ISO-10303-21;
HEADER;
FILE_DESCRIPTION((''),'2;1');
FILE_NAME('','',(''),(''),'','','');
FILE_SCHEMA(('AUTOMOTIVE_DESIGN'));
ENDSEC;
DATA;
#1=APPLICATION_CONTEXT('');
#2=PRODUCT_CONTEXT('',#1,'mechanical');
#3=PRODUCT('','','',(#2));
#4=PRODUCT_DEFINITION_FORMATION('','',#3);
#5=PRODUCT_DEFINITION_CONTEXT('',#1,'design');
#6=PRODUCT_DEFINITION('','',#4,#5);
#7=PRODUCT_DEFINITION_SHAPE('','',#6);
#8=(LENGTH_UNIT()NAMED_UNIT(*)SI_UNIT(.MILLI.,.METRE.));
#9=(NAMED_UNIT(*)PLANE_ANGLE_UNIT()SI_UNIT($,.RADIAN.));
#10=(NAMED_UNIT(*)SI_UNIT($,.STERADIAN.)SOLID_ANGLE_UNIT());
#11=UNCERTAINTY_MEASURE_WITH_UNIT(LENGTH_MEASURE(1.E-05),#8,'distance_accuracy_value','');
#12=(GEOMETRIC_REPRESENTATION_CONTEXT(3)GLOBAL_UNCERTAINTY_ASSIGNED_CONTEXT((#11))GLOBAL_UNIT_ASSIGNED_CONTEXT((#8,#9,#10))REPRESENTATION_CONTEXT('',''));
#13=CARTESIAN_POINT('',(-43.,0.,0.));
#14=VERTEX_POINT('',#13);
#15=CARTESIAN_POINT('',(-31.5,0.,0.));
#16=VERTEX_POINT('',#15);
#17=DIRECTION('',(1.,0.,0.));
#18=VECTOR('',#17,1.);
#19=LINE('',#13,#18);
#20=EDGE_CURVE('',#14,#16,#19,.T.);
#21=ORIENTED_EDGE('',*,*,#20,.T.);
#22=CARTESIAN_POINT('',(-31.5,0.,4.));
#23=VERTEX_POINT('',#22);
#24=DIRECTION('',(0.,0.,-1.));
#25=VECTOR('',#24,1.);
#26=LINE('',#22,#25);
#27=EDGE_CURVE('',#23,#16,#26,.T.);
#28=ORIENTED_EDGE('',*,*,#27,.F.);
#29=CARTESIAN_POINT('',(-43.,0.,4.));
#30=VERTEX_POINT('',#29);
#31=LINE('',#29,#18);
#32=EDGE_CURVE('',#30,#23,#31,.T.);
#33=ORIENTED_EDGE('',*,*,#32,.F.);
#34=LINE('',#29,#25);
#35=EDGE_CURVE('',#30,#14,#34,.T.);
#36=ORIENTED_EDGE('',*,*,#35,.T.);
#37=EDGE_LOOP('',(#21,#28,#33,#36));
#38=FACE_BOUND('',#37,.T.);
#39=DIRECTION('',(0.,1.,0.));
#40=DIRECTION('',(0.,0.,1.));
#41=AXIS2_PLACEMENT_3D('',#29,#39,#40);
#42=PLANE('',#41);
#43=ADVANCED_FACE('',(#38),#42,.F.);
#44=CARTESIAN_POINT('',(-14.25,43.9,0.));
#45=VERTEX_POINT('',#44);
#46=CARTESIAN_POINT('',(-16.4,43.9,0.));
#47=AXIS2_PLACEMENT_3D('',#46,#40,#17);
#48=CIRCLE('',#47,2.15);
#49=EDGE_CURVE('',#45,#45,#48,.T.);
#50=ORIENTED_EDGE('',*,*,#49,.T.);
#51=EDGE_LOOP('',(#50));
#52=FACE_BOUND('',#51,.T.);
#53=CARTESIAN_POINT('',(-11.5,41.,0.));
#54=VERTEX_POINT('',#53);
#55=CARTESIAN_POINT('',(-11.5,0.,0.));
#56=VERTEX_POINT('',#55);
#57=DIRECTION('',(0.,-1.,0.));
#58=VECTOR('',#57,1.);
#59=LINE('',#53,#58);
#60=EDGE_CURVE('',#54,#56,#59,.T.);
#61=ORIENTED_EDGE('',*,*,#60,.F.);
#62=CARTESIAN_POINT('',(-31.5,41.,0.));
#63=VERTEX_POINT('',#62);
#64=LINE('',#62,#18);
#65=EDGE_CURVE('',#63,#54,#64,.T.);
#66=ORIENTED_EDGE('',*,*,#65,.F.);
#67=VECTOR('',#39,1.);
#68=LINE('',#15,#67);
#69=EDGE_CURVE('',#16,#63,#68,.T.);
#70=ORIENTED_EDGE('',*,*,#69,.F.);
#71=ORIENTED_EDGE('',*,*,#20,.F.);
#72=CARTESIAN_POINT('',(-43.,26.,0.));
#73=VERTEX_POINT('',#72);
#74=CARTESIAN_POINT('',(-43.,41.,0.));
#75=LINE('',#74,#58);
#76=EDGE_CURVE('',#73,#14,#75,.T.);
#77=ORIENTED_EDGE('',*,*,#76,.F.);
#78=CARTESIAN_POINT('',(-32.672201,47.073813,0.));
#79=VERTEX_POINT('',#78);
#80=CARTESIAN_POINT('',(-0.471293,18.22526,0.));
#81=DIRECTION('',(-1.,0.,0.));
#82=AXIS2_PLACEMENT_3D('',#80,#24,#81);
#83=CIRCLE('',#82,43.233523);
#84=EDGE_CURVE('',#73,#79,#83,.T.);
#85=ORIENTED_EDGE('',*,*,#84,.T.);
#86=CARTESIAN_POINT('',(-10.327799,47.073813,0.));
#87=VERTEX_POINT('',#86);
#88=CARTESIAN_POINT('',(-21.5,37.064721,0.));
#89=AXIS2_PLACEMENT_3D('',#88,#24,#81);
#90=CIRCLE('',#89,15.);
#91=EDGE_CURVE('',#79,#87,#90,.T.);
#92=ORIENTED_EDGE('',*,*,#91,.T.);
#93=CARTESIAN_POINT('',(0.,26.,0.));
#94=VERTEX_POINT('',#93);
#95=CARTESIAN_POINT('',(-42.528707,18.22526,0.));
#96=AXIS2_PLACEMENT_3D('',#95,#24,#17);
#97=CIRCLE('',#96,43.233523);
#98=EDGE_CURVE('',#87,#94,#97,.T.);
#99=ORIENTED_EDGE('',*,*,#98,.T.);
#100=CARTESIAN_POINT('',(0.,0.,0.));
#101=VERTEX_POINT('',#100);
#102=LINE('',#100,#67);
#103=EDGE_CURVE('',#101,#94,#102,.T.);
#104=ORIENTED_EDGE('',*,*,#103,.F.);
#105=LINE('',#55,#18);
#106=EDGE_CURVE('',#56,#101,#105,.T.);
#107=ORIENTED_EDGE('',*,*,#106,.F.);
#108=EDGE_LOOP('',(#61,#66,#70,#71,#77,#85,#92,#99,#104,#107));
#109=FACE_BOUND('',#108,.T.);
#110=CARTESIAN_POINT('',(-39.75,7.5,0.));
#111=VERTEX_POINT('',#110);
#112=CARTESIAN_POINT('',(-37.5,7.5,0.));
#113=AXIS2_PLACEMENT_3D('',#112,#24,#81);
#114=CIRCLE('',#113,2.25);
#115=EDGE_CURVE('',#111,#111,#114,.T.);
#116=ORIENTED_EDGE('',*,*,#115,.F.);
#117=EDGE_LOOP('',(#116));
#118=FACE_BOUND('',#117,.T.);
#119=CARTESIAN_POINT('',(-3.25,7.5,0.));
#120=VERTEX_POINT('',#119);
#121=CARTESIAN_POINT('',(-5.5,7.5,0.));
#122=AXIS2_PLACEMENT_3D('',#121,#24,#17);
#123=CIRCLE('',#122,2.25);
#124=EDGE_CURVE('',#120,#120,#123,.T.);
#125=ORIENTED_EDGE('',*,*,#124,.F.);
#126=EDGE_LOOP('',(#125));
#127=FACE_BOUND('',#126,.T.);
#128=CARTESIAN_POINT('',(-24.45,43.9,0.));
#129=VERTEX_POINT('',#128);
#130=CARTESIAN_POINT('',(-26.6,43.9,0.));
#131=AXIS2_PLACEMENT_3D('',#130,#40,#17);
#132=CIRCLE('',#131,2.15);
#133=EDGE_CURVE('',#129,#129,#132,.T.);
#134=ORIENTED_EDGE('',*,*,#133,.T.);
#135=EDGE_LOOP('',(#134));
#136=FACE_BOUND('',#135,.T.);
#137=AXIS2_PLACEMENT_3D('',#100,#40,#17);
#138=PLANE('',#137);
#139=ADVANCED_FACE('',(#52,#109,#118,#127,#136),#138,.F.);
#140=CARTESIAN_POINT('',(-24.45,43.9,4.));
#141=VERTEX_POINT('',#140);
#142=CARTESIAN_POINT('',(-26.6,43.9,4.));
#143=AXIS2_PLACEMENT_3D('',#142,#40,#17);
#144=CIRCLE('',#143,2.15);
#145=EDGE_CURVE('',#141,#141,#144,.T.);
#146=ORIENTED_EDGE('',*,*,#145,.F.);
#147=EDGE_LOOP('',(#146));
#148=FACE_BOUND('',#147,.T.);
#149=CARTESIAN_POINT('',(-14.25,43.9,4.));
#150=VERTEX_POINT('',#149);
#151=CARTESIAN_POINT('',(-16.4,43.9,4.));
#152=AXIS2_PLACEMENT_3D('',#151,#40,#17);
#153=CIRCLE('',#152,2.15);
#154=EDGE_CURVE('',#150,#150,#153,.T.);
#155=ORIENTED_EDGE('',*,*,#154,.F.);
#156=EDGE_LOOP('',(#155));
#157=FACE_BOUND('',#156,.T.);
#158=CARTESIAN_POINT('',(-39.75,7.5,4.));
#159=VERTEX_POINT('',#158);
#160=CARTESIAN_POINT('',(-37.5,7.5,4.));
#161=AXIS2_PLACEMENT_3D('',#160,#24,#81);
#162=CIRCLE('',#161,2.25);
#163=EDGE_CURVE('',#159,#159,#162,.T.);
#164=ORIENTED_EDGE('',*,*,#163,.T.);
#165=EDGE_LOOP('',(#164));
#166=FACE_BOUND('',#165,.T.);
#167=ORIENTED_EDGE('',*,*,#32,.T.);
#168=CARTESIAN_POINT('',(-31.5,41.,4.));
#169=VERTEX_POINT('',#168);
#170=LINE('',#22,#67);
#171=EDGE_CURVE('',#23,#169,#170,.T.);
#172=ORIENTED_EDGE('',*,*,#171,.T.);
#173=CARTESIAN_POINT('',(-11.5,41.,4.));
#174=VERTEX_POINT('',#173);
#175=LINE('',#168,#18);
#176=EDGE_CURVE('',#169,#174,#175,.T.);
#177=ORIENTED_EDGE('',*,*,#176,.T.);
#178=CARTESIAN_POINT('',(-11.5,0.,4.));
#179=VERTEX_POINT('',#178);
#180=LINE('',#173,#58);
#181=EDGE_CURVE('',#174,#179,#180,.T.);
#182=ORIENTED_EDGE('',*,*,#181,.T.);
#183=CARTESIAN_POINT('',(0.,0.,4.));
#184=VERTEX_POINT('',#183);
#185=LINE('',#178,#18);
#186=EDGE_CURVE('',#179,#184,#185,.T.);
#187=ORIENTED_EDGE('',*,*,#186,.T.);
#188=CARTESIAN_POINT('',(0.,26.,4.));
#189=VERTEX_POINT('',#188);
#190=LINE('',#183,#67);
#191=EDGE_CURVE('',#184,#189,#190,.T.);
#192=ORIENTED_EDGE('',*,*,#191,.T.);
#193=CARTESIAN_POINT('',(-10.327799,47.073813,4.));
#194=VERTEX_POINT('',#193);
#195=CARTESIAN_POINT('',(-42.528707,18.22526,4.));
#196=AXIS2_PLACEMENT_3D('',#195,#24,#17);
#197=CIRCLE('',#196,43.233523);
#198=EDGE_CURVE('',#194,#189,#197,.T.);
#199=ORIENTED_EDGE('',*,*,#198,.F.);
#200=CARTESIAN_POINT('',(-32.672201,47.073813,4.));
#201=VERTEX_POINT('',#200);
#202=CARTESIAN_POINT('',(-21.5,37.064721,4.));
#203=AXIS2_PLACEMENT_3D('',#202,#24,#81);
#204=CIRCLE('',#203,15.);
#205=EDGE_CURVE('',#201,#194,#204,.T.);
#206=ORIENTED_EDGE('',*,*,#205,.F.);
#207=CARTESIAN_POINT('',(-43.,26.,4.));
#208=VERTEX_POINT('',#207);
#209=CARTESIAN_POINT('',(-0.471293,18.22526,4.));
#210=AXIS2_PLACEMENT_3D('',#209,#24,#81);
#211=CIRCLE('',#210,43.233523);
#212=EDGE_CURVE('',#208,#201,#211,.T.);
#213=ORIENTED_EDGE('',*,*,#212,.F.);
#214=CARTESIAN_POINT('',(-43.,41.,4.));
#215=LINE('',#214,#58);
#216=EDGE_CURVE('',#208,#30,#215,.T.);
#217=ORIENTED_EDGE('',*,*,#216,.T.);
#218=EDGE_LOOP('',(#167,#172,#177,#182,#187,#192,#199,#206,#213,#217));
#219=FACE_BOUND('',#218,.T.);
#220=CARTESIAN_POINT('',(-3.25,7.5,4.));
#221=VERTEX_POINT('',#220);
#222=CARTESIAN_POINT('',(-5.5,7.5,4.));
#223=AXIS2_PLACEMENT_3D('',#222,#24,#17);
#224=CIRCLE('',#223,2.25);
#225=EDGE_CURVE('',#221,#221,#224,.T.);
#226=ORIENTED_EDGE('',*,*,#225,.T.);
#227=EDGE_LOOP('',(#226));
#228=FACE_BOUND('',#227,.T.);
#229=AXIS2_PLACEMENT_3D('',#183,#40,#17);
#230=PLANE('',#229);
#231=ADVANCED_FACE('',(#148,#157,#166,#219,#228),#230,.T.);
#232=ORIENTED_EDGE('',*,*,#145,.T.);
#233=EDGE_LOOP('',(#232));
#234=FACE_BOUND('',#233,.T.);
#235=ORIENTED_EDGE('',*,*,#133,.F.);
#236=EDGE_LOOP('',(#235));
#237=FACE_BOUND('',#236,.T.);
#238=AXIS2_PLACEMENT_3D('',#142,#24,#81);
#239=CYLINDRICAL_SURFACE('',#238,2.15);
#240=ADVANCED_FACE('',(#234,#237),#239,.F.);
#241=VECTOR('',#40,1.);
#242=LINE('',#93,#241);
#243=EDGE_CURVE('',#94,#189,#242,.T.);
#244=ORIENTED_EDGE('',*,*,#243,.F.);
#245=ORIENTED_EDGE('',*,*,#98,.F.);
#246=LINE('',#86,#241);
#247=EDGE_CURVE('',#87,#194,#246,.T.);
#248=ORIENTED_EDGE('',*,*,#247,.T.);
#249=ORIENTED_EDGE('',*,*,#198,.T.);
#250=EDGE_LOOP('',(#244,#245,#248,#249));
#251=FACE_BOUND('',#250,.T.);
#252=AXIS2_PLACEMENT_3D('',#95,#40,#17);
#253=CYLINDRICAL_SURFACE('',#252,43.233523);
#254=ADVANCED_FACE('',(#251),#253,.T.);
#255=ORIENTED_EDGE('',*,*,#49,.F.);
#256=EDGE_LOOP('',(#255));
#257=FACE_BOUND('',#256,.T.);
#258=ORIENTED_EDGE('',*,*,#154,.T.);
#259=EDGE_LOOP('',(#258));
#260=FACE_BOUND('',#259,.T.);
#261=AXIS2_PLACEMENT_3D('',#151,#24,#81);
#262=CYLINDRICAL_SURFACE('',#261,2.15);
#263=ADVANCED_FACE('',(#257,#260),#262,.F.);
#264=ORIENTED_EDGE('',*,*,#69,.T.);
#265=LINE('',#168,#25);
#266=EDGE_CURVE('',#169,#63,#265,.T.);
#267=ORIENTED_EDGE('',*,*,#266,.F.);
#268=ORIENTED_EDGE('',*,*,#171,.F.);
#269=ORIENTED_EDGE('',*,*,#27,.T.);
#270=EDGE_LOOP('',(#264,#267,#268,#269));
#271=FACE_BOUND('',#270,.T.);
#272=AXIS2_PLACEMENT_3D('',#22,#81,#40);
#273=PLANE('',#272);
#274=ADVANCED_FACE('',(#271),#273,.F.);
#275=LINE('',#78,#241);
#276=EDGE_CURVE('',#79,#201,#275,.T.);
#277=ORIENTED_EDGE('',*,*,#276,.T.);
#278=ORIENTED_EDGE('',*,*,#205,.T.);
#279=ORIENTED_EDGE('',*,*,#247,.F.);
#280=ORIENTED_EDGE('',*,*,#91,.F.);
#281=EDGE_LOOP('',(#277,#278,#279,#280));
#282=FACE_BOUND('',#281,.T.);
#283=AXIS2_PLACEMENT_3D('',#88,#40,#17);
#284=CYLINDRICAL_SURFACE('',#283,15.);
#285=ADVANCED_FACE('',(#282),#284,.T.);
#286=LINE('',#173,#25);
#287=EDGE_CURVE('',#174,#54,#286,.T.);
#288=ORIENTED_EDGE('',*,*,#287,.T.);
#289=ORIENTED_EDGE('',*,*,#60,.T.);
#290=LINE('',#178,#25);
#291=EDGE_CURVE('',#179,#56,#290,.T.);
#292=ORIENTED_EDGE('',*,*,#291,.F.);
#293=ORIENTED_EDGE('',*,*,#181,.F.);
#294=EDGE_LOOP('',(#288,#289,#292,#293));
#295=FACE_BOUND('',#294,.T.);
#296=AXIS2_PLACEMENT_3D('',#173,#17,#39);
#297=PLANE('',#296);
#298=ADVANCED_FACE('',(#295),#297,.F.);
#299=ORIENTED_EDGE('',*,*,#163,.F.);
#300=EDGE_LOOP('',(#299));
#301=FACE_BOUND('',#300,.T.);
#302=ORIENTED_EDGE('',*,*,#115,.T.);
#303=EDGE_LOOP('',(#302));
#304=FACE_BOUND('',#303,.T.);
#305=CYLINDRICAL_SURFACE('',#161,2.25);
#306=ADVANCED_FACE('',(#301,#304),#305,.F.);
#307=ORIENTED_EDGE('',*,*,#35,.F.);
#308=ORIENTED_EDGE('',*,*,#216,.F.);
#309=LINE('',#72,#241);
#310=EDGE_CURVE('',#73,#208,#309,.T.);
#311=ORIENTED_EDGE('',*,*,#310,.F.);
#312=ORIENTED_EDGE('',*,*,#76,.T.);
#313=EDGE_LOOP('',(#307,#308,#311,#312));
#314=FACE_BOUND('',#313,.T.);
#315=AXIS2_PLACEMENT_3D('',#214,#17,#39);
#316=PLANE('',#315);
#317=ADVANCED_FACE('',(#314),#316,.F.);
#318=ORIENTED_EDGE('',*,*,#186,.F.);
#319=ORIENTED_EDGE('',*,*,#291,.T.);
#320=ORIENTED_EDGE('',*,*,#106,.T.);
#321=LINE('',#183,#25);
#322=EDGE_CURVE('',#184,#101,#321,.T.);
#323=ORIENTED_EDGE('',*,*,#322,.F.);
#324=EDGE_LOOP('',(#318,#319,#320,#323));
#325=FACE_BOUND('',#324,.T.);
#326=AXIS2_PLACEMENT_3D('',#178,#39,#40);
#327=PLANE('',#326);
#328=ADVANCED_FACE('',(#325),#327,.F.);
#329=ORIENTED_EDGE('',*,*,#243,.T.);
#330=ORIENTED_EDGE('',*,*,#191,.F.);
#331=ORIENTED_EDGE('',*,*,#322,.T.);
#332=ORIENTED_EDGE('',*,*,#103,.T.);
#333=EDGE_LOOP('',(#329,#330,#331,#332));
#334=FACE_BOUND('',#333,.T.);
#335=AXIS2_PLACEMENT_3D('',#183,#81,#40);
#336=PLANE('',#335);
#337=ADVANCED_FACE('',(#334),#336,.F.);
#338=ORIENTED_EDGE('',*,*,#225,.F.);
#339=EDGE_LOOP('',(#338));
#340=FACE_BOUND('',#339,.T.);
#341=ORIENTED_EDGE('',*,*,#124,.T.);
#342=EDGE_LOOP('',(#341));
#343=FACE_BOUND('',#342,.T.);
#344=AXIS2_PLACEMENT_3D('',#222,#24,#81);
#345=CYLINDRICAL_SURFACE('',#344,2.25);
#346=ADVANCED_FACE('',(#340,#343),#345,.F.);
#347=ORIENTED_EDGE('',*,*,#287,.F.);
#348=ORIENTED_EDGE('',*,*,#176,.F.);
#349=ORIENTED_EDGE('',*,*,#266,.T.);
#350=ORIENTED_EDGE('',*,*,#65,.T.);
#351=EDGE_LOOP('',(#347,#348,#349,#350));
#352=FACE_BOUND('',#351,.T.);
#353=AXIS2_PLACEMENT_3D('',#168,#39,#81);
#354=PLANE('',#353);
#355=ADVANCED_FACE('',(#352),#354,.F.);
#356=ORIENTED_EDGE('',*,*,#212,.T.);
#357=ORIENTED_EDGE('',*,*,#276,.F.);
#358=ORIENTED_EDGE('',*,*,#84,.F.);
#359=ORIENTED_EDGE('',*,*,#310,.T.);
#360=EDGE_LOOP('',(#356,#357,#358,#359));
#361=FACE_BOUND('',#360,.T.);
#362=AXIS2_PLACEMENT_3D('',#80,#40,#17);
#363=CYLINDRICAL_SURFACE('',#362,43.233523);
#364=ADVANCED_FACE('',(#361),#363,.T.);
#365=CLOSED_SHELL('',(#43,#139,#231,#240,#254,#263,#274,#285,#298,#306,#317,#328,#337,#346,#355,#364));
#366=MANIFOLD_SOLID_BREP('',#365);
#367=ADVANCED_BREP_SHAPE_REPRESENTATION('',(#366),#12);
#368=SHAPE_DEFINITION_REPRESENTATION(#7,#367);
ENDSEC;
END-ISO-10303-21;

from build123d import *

# Parameters (mm, degrees)
ESQUISSE1_R             = 2.15
BOSS_EXTRU_1_DEPTH      = 4
ENL_V_MAT_EXTRU_1_DEPTH = 71.717748833
ENL_V_MAT_EXTRU_2_DEPTH = 68.644180707


with BuildPart() as part:
    # Esquisse1 → Boss.-Extru.1 (new body)
    with BuildSketch(Plane.XY):
        Polygon((0, 0), (0, 41), (-15, 56), (-28, 56), (-43, 41), (-43, 0), (-31.5, 0), (-31.5, 41), (-11.5, 41), (-11.5, 0), align=None)
        with Locations((-16.4, 43.9)):
            Circle(ESQUISSE1_R, mode=Mode.SUBTRACT)
        with Locations((-26.6, 43.9)):
            Circle(ESQUISSE1_R, mode=Mode.SUBTRACT)
    extrude(amount=BOSS_EXTRU_1_DEPTH)

    # Esquisse2 → Enlèv. mat.-Extru.1 (cut, through all)
    with BuildSketch(Plane.XY.offset(4)):
        with BuildLine():
            Line((0, 26), (0, 41))
            Line((0, 41), (-15, 56))
            Line((-15, 56), (-28, 56))
            Line((-28, 56), (-43, 41))
            Line((-43, 41), (-43, 26))
            ThreePointArc((-43, 26), (-39.293390462, 37.251091059), (-32.672201457, 47.073812699))
            ThreePointArc((-32.672201457, 47.073812699), (-21.5, 52.064721102), (-10.327798543, 47.073812699))
            ThreePointArc((-10.327798543, 47.073812699), (-3.706609538, 37.251091059), (0, 26))
        make_face()
    extrude(amount=-ENL_V_MAT_EXTRU_1_DEPTH, mode=Mode.SUBTRACT)

    # Esquisse3 → Enlèv. mat.-Extru.2 (cut, through all)
    with BuildSketch(Plane(origin=(0, 0, 0), x_dir=(-1, 0, 0), z_dir=(0, 0, -1))):
        with BuildLine():
            ThreePointArc((35.403723193, 6.682611752), (37.5, 5.25), (39.596276807, 6.682611752))
            ThreePointArc((39.596276807, 6.682611752), (37.5, 9.75), (35.403723193, 6.682611752))
        make_face()
        with BuildLine():
            ThreePointArc((7.596276807, 6.682611752), (5.5, 5.25), (3.403723193, 6.682611752))
            ThreePointArc((3.403723193, 6.682611752), (5.5, 9.75), (7.596276807, 6.682611752))
        make_face()
    extrude(amount=-ENL_V_MAT_EXTRU_2_DEPTH, mode=Mode.SUBTRACT)


solid = part.part
